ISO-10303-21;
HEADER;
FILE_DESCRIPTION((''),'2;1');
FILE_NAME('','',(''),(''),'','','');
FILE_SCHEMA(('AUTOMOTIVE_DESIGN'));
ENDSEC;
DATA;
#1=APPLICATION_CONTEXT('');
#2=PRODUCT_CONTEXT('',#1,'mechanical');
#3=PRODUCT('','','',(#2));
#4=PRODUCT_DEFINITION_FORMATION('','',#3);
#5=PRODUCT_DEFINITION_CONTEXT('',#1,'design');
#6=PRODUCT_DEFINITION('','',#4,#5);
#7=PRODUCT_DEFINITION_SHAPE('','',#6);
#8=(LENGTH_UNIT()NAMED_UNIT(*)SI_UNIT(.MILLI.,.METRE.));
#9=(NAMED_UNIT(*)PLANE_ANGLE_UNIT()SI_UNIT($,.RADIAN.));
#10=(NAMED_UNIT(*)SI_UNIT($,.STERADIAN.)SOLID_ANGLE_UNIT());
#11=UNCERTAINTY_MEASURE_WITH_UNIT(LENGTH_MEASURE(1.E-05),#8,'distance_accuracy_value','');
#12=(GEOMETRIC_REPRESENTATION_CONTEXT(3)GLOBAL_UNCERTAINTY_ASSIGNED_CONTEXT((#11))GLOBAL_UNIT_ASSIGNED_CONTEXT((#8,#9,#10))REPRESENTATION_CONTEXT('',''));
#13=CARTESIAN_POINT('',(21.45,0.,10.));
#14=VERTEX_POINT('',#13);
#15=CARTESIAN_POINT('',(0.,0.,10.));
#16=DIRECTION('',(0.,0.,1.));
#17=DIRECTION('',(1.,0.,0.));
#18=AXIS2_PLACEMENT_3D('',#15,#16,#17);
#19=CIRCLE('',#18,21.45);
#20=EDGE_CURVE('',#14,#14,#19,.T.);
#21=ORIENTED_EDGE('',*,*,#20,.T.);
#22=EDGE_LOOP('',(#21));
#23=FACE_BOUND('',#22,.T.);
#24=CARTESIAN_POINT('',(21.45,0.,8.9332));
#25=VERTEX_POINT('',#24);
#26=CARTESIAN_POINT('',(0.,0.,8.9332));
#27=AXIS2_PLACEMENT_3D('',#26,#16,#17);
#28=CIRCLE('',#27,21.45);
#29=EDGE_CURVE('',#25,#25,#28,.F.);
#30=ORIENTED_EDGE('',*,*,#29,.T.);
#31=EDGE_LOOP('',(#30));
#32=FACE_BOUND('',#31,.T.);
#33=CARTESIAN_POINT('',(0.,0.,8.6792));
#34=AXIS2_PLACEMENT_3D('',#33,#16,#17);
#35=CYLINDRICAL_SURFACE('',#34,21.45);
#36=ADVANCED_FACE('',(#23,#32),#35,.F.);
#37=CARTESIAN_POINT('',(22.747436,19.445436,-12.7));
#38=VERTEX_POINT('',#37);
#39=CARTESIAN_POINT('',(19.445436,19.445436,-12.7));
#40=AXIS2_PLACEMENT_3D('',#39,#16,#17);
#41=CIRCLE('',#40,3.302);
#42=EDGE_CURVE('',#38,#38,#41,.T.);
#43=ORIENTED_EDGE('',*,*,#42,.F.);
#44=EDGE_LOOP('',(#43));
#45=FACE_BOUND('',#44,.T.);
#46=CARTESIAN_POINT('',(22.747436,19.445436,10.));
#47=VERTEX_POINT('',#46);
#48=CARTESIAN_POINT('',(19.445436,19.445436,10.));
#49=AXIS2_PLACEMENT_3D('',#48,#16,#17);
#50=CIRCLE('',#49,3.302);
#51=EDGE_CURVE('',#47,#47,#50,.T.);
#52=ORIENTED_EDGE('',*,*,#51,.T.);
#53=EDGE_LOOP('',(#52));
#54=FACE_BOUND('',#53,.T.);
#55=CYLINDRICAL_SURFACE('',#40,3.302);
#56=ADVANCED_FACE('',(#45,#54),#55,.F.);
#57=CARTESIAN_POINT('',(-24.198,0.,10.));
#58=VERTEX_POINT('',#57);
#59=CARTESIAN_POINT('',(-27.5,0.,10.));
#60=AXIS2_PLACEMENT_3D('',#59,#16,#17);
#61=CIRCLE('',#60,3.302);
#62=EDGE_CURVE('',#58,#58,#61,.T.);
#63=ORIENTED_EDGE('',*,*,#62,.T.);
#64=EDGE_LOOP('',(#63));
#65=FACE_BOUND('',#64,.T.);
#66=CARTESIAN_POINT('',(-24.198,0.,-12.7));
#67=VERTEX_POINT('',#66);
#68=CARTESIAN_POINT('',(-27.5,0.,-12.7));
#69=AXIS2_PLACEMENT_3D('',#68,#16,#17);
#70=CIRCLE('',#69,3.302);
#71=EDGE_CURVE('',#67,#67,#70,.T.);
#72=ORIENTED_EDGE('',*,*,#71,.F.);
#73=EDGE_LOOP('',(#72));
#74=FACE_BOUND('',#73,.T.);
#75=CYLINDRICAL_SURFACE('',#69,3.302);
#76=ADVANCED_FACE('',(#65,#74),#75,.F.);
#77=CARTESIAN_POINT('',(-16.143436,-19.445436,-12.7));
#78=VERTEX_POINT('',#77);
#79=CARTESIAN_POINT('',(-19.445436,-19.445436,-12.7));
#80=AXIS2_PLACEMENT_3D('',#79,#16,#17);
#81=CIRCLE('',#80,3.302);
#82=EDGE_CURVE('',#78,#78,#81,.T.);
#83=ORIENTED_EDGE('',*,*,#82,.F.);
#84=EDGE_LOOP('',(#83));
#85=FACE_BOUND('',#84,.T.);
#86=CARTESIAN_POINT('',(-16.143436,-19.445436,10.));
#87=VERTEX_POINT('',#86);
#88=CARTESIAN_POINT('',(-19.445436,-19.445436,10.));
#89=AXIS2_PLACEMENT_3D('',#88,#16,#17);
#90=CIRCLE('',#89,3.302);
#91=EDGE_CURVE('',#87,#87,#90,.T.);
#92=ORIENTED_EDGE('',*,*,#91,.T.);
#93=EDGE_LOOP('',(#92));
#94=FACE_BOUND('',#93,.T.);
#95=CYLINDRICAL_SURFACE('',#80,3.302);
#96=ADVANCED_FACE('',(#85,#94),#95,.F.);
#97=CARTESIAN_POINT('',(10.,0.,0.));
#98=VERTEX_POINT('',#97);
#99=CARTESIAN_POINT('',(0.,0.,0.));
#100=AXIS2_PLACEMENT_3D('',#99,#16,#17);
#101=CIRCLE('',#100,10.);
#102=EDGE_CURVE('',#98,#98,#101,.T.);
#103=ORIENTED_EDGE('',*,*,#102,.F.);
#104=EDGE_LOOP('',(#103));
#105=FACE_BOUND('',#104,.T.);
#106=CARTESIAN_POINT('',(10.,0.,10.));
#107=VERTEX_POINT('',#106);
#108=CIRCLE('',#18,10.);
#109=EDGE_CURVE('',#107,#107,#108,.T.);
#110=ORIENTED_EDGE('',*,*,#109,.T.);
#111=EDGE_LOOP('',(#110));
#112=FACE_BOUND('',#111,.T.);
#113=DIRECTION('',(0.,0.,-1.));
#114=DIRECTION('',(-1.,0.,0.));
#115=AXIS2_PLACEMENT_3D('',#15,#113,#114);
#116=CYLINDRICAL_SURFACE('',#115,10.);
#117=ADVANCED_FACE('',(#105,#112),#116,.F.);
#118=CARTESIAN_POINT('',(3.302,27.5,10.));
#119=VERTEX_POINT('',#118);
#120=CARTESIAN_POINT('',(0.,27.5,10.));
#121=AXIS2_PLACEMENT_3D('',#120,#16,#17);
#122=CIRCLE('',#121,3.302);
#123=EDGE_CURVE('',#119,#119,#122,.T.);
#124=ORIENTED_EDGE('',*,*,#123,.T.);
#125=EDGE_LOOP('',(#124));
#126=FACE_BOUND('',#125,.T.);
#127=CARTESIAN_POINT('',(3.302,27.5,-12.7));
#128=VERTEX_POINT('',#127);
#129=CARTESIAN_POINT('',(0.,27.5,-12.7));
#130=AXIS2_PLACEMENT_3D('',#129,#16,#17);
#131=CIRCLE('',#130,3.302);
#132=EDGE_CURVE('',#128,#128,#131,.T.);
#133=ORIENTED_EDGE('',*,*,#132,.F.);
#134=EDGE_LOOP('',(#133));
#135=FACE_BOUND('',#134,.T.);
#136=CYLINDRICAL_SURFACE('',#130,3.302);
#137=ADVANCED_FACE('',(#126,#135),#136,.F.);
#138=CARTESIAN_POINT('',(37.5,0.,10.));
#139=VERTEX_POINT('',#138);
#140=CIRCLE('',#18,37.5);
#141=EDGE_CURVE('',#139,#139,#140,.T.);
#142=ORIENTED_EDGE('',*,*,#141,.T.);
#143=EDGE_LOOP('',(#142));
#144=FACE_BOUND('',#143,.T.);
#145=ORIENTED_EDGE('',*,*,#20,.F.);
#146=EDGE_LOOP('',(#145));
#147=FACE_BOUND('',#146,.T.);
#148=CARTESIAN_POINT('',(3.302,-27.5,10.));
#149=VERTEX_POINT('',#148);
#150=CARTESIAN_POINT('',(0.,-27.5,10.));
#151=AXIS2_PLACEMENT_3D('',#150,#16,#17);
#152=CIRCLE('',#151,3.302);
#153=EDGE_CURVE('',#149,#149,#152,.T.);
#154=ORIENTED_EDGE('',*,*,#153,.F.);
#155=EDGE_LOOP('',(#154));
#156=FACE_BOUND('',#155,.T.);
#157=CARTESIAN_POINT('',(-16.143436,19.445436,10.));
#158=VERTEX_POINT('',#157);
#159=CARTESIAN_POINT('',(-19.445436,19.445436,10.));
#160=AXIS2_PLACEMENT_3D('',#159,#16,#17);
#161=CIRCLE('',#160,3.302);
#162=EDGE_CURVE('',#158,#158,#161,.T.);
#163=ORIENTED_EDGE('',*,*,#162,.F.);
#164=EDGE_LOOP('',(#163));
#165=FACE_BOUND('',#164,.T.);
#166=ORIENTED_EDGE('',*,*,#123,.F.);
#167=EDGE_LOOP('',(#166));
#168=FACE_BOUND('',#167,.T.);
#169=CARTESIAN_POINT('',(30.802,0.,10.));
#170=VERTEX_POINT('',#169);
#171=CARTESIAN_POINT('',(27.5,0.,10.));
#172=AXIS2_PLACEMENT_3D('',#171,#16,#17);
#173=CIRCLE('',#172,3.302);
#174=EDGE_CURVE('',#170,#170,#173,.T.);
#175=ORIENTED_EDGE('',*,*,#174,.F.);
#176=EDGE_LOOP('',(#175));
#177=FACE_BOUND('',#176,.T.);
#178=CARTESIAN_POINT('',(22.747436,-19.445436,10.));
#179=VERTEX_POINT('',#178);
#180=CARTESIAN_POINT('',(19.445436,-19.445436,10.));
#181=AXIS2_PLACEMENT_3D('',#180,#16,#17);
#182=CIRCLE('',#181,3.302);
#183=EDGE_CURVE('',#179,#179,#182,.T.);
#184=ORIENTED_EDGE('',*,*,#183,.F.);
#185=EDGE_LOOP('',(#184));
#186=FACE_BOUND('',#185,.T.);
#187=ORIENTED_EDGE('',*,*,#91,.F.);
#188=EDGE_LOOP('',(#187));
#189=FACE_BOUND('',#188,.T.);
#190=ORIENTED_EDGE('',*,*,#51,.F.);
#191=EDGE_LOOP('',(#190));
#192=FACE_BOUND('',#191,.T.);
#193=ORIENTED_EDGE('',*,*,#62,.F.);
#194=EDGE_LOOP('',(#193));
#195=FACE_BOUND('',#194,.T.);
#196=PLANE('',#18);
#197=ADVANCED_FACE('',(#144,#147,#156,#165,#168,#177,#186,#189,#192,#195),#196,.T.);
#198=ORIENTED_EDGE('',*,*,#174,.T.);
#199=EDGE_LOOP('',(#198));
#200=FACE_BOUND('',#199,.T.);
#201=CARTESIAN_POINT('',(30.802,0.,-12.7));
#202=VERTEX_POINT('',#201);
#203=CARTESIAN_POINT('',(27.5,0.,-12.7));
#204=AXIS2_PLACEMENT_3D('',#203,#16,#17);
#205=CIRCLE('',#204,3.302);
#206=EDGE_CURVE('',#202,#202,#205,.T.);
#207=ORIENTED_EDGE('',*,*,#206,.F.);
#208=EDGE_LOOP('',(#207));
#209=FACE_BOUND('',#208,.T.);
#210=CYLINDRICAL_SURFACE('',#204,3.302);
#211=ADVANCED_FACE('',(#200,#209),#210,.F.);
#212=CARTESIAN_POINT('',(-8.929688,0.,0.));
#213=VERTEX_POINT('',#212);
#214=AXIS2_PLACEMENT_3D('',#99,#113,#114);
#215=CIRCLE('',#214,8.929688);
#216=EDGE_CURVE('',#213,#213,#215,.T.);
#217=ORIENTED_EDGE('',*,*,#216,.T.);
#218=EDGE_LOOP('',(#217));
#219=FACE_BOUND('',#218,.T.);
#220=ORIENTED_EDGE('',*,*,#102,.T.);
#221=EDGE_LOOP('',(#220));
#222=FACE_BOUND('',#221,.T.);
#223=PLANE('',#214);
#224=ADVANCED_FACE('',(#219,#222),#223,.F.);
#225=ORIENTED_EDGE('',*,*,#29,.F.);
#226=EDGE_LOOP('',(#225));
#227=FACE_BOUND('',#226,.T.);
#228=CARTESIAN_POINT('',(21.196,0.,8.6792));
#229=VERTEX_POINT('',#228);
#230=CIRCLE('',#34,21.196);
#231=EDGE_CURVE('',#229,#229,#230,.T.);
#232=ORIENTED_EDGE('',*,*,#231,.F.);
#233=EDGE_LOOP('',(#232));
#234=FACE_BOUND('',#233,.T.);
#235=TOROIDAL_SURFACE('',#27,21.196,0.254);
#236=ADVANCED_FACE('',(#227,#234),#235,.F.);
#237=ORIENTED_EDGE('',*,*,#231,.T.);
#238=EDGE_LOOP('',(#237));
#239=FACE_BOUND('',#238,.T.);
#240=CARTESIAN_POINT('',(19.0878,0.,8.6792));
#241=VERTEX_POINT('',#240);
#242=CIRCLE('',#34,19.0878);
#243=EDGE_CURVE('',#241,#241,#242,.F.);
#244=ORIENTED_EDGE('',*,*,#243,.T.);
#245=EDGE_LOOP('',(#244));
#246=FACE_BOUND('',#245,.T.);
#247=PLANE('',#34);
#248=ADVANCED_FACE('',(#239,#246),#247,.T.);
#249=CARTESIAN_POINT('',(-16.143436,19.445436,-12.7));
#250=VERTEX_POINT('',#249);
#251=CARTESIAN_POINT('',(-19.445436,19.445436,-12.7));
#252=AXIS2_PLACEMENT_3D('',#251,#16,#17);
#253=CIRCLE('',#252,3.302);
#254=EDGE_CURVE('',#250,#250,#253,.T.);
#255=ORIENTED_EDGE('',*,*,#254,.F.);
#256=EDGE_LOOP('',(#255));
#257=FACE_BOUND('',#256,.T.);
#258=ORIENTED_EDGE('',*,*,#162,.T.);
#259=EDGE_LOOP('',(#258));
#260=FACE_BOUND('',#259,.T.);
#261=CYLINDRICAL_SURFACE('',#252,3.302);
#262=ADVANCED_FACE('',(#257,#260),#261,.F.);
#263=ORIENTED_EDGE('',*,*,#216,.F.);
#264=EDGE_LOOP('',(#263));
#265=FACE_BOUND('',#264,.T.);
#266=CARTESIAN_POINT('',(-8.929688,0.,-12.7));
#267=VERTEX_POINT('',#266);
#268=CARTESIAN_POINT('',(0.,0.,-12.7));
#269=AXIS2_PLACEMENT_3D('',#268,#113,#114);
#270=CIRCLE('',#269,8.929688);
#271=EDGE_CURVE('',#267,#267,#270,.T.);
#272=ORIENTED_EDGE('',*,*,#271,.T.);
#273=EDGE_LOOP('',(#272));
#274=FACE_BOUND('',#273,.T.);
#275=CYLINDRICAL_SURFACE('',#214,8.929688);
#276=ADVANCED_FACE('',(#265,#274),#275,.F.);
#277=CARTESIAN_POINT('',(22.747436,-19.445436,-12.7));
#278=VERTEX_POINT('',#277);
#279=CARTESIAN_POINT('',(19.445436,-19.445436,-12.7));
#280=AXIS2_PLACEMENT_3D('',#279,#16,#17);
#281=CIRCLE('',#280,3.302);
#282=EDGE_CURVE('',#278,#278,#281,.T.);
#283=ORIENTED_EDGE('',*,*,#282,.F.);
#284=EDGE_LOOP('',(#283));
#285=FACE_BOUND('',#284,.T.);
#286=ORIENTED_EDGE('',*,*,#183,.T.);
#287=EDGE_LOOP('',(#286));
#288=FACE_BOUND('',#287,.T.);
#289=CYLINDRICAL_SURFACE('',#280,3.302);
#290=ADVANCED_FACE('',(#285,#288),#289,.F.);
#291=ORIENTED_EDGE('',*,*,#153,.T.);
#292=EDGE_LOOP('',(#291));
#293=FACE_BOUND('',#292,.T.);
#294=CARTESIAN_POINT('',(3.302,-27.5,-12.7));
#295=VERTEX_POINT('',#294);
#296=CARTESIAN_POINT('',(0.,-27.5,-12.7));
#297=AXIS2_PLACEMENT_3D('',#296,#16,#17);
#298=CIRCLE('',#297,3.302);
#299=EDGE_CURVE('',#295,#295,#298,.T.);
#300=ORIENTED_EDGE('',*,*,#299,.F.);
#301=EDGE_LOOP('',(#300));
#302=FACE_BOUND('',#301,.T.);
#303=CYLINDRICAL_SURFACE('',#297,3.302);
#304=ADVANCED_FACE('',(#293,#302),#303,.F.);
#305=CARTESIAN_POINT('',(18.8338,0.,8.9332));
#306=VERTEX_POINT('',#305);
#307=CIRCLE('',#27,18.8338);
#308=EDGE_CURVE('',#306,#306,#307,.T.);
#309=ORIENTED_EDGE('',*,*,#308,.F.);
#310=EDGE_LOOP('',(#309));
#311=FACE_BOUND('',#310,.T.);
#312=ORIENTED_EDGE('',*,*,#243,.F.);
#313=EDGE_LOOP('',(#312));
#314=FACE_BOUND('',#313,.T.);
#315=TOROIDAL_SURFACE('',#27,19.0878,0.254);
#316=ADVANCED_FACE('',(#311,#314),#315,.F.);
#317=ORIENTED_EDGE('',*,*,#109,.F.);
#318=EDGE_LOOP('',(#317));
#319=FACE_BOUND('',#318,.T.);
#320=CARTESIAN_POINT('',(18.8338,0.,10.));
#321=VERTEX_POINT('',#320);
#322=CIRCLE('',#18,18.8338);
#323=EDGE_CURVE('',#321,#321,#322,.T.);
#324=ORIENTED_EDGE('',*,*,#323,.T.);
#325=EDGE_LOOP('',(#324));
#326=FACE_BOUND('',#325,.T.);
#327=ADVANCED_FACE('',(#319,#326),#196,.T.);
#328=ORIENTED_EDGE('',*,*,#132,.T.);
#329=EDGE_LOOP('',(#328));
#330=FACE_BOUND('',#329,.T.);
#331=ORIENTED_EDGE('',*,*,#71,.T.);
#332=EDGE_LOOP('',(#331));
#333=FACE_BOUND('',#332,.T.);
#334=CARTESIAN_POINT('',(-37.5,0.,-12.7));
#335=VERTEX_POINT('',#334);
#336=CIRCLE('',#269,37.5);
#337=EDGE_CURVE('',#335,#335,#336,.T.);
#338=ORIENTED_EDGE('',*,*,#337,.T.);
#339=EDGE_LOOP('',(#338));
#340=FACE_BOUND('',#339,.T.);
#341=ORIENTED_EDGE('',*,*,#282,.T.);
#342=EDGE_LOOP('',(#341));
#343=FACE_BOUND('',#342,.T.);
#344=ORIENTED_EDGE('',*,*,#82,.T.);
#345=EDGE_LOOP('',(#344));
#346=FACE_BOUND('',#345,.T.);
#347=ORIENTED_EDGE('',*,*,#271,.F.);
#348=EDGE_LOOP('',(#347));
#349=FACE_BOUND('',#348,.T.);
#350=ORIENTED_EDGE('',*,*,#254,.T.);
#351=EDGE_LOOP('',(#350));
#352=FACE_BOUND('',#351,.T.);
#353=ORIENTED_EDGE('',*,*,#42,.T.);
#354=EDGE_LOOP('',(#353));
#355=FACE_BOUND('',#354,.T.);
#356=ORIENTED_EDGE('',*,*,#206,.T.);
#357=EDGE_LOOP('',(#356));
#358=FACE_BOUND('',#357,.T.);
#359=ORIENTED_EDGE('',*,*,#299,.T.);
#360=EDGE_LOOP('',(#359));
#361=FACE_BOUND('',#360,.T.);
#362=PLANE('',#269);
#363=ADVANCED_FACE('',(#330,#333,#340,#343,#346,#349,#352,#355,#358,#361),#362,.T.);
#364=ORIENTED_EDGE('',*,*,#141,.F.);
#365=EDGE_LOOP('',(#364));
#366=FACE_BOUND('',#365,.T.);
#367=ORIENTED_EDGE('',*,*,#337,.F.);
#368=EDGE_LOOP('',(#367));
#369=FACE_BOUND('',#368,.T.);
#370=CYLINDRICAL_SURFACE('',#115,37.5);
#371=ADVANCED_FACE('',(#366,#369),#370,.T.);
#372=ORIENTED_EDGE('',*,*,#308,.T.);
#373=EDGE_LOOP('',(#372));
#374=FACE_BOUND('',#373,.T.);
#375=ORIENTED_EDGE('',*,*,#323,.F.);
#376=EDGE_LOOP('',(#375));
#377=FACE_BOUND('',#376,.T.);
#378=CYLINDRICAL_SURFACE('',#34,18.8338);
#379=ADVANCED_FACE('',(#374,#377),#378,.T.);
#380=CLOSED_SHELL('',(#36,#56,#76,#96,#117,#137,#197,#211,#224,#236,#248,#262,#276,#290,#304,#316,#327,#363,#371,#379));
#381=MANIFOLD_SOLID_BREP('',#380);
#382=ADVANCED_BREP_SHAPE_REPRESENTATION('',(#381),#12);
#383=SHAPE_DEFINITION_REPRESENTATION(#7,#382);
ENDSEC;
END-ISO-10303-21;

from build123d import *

# Parameters (mm, degrees)
SKETCH2_R           = 37.5
SKETCH2_R_2         = 10
BOSS_EXTRUDE1_DEPTH = 10
BOSS_EXTRUDE2_START = 12.7
SKETCH7_R           = 37.5
BOSS_EXTRUDE2_DEPTH = 12.7
SKETCH8_R           = 3.302
CUT_EXTRUDE2_DEPTH  = 58.687000269
SKETCH9_R           = 8.9296875
CUT_EXTRUDE3_DEPTH  = 12.7
SKETCH11_R          = 21.45
SKETCH11_R_2        = 18.8338
CUT_EXTRUDE5_DEPTH  = 1.3208
FILLET1_R           = 0.254


with BuildPart() as part:
    # Sketch2 → Boss-Extrude1 (new body)
    with BuildSketch(Plane.XY):
        Circle(SKETCH2_R)
        Circle(SKETCH2_R_2, mode=Mode.SUBTRACT)
    extrude(amount=BOSS_EXTRUDE1_DEPTH)

    # Sketch7 → Boss-Extrude2 (add)
    with BuildSketch(Plane(origin=(0, 0, 0), x_dir=(-1, 0, 0), z_dir=(0, 0, -1)).offset(BOSS_EXTRUDE2_START)):
        Circle(SKETCH7_R)
    extrude(amount=-BOSS_EXTRUDE2_DEPTH)

    # Sketch8 → Cut-Extrude2 (cut, through all)
    with BuildSketch(Plane.XY.offset(10)):
        with Locations((0, 27.5)):
            Circle(SKETCH8_R)
        with Locations((19.445436483, 19.445436483)):
            Circle(SKETCH8_R)
        with Locations((27.5, 0)):
            Circle(SKETCH8_R)
        with Locations((19.445436483, -19.445436483)):
            Circle(SKETCH8_R)
        with Locations((0, -27.5)):
            Circle(SKETCH8_R)
        with Locations((-19.445436483, -19.445436483)):
            Circle(SKETCH8_R)
        with Locations((-27.5, 0)):
            Circle(SKETCH8_R)
        with Locations((-19.445436483, 19.445436483)):
            Circle(SKETCH8_R)
    extrude(amount=-CUT_EXTRUDE2_DEPTH, mode=Mode.SUBTRACT)

    # Sketch9 → Cut-Extrude3 (cut)
    with BuildSketch(Plane(origin=(0, 0, -12.7), x_dir=(-1, 0, 0), z_dir=(0, 0, -1))):
        Circle(SKETCH9_R)
    extrude(amount=-CUT_EXTRUDE3_DEPTH, mode=Mode.SUBTRACT)

    # Sketch11 → Cut-Extrude5 (cut)
    with BuildSketch(Plane.XY.offset(10)):
        Circle(SKETCH11_R)
        Circle(SKETCH11_R_2, mode=Mode.SUBTRACT)
    extrude(amount=-CUT_EXTRUDE5_DEPTH, mode=Mode.SUBTRACT)

    # Fillet1
    fillet1_edges = [part.edges().sort_by_distance(p)[0] for p in [
        (-21.45, 0, 8.6792),
        (-18.8338, 0, 8.6792),
    ]]
    fillet(fillet1_edges, radius=FILLET1_R)


solid = part.part
